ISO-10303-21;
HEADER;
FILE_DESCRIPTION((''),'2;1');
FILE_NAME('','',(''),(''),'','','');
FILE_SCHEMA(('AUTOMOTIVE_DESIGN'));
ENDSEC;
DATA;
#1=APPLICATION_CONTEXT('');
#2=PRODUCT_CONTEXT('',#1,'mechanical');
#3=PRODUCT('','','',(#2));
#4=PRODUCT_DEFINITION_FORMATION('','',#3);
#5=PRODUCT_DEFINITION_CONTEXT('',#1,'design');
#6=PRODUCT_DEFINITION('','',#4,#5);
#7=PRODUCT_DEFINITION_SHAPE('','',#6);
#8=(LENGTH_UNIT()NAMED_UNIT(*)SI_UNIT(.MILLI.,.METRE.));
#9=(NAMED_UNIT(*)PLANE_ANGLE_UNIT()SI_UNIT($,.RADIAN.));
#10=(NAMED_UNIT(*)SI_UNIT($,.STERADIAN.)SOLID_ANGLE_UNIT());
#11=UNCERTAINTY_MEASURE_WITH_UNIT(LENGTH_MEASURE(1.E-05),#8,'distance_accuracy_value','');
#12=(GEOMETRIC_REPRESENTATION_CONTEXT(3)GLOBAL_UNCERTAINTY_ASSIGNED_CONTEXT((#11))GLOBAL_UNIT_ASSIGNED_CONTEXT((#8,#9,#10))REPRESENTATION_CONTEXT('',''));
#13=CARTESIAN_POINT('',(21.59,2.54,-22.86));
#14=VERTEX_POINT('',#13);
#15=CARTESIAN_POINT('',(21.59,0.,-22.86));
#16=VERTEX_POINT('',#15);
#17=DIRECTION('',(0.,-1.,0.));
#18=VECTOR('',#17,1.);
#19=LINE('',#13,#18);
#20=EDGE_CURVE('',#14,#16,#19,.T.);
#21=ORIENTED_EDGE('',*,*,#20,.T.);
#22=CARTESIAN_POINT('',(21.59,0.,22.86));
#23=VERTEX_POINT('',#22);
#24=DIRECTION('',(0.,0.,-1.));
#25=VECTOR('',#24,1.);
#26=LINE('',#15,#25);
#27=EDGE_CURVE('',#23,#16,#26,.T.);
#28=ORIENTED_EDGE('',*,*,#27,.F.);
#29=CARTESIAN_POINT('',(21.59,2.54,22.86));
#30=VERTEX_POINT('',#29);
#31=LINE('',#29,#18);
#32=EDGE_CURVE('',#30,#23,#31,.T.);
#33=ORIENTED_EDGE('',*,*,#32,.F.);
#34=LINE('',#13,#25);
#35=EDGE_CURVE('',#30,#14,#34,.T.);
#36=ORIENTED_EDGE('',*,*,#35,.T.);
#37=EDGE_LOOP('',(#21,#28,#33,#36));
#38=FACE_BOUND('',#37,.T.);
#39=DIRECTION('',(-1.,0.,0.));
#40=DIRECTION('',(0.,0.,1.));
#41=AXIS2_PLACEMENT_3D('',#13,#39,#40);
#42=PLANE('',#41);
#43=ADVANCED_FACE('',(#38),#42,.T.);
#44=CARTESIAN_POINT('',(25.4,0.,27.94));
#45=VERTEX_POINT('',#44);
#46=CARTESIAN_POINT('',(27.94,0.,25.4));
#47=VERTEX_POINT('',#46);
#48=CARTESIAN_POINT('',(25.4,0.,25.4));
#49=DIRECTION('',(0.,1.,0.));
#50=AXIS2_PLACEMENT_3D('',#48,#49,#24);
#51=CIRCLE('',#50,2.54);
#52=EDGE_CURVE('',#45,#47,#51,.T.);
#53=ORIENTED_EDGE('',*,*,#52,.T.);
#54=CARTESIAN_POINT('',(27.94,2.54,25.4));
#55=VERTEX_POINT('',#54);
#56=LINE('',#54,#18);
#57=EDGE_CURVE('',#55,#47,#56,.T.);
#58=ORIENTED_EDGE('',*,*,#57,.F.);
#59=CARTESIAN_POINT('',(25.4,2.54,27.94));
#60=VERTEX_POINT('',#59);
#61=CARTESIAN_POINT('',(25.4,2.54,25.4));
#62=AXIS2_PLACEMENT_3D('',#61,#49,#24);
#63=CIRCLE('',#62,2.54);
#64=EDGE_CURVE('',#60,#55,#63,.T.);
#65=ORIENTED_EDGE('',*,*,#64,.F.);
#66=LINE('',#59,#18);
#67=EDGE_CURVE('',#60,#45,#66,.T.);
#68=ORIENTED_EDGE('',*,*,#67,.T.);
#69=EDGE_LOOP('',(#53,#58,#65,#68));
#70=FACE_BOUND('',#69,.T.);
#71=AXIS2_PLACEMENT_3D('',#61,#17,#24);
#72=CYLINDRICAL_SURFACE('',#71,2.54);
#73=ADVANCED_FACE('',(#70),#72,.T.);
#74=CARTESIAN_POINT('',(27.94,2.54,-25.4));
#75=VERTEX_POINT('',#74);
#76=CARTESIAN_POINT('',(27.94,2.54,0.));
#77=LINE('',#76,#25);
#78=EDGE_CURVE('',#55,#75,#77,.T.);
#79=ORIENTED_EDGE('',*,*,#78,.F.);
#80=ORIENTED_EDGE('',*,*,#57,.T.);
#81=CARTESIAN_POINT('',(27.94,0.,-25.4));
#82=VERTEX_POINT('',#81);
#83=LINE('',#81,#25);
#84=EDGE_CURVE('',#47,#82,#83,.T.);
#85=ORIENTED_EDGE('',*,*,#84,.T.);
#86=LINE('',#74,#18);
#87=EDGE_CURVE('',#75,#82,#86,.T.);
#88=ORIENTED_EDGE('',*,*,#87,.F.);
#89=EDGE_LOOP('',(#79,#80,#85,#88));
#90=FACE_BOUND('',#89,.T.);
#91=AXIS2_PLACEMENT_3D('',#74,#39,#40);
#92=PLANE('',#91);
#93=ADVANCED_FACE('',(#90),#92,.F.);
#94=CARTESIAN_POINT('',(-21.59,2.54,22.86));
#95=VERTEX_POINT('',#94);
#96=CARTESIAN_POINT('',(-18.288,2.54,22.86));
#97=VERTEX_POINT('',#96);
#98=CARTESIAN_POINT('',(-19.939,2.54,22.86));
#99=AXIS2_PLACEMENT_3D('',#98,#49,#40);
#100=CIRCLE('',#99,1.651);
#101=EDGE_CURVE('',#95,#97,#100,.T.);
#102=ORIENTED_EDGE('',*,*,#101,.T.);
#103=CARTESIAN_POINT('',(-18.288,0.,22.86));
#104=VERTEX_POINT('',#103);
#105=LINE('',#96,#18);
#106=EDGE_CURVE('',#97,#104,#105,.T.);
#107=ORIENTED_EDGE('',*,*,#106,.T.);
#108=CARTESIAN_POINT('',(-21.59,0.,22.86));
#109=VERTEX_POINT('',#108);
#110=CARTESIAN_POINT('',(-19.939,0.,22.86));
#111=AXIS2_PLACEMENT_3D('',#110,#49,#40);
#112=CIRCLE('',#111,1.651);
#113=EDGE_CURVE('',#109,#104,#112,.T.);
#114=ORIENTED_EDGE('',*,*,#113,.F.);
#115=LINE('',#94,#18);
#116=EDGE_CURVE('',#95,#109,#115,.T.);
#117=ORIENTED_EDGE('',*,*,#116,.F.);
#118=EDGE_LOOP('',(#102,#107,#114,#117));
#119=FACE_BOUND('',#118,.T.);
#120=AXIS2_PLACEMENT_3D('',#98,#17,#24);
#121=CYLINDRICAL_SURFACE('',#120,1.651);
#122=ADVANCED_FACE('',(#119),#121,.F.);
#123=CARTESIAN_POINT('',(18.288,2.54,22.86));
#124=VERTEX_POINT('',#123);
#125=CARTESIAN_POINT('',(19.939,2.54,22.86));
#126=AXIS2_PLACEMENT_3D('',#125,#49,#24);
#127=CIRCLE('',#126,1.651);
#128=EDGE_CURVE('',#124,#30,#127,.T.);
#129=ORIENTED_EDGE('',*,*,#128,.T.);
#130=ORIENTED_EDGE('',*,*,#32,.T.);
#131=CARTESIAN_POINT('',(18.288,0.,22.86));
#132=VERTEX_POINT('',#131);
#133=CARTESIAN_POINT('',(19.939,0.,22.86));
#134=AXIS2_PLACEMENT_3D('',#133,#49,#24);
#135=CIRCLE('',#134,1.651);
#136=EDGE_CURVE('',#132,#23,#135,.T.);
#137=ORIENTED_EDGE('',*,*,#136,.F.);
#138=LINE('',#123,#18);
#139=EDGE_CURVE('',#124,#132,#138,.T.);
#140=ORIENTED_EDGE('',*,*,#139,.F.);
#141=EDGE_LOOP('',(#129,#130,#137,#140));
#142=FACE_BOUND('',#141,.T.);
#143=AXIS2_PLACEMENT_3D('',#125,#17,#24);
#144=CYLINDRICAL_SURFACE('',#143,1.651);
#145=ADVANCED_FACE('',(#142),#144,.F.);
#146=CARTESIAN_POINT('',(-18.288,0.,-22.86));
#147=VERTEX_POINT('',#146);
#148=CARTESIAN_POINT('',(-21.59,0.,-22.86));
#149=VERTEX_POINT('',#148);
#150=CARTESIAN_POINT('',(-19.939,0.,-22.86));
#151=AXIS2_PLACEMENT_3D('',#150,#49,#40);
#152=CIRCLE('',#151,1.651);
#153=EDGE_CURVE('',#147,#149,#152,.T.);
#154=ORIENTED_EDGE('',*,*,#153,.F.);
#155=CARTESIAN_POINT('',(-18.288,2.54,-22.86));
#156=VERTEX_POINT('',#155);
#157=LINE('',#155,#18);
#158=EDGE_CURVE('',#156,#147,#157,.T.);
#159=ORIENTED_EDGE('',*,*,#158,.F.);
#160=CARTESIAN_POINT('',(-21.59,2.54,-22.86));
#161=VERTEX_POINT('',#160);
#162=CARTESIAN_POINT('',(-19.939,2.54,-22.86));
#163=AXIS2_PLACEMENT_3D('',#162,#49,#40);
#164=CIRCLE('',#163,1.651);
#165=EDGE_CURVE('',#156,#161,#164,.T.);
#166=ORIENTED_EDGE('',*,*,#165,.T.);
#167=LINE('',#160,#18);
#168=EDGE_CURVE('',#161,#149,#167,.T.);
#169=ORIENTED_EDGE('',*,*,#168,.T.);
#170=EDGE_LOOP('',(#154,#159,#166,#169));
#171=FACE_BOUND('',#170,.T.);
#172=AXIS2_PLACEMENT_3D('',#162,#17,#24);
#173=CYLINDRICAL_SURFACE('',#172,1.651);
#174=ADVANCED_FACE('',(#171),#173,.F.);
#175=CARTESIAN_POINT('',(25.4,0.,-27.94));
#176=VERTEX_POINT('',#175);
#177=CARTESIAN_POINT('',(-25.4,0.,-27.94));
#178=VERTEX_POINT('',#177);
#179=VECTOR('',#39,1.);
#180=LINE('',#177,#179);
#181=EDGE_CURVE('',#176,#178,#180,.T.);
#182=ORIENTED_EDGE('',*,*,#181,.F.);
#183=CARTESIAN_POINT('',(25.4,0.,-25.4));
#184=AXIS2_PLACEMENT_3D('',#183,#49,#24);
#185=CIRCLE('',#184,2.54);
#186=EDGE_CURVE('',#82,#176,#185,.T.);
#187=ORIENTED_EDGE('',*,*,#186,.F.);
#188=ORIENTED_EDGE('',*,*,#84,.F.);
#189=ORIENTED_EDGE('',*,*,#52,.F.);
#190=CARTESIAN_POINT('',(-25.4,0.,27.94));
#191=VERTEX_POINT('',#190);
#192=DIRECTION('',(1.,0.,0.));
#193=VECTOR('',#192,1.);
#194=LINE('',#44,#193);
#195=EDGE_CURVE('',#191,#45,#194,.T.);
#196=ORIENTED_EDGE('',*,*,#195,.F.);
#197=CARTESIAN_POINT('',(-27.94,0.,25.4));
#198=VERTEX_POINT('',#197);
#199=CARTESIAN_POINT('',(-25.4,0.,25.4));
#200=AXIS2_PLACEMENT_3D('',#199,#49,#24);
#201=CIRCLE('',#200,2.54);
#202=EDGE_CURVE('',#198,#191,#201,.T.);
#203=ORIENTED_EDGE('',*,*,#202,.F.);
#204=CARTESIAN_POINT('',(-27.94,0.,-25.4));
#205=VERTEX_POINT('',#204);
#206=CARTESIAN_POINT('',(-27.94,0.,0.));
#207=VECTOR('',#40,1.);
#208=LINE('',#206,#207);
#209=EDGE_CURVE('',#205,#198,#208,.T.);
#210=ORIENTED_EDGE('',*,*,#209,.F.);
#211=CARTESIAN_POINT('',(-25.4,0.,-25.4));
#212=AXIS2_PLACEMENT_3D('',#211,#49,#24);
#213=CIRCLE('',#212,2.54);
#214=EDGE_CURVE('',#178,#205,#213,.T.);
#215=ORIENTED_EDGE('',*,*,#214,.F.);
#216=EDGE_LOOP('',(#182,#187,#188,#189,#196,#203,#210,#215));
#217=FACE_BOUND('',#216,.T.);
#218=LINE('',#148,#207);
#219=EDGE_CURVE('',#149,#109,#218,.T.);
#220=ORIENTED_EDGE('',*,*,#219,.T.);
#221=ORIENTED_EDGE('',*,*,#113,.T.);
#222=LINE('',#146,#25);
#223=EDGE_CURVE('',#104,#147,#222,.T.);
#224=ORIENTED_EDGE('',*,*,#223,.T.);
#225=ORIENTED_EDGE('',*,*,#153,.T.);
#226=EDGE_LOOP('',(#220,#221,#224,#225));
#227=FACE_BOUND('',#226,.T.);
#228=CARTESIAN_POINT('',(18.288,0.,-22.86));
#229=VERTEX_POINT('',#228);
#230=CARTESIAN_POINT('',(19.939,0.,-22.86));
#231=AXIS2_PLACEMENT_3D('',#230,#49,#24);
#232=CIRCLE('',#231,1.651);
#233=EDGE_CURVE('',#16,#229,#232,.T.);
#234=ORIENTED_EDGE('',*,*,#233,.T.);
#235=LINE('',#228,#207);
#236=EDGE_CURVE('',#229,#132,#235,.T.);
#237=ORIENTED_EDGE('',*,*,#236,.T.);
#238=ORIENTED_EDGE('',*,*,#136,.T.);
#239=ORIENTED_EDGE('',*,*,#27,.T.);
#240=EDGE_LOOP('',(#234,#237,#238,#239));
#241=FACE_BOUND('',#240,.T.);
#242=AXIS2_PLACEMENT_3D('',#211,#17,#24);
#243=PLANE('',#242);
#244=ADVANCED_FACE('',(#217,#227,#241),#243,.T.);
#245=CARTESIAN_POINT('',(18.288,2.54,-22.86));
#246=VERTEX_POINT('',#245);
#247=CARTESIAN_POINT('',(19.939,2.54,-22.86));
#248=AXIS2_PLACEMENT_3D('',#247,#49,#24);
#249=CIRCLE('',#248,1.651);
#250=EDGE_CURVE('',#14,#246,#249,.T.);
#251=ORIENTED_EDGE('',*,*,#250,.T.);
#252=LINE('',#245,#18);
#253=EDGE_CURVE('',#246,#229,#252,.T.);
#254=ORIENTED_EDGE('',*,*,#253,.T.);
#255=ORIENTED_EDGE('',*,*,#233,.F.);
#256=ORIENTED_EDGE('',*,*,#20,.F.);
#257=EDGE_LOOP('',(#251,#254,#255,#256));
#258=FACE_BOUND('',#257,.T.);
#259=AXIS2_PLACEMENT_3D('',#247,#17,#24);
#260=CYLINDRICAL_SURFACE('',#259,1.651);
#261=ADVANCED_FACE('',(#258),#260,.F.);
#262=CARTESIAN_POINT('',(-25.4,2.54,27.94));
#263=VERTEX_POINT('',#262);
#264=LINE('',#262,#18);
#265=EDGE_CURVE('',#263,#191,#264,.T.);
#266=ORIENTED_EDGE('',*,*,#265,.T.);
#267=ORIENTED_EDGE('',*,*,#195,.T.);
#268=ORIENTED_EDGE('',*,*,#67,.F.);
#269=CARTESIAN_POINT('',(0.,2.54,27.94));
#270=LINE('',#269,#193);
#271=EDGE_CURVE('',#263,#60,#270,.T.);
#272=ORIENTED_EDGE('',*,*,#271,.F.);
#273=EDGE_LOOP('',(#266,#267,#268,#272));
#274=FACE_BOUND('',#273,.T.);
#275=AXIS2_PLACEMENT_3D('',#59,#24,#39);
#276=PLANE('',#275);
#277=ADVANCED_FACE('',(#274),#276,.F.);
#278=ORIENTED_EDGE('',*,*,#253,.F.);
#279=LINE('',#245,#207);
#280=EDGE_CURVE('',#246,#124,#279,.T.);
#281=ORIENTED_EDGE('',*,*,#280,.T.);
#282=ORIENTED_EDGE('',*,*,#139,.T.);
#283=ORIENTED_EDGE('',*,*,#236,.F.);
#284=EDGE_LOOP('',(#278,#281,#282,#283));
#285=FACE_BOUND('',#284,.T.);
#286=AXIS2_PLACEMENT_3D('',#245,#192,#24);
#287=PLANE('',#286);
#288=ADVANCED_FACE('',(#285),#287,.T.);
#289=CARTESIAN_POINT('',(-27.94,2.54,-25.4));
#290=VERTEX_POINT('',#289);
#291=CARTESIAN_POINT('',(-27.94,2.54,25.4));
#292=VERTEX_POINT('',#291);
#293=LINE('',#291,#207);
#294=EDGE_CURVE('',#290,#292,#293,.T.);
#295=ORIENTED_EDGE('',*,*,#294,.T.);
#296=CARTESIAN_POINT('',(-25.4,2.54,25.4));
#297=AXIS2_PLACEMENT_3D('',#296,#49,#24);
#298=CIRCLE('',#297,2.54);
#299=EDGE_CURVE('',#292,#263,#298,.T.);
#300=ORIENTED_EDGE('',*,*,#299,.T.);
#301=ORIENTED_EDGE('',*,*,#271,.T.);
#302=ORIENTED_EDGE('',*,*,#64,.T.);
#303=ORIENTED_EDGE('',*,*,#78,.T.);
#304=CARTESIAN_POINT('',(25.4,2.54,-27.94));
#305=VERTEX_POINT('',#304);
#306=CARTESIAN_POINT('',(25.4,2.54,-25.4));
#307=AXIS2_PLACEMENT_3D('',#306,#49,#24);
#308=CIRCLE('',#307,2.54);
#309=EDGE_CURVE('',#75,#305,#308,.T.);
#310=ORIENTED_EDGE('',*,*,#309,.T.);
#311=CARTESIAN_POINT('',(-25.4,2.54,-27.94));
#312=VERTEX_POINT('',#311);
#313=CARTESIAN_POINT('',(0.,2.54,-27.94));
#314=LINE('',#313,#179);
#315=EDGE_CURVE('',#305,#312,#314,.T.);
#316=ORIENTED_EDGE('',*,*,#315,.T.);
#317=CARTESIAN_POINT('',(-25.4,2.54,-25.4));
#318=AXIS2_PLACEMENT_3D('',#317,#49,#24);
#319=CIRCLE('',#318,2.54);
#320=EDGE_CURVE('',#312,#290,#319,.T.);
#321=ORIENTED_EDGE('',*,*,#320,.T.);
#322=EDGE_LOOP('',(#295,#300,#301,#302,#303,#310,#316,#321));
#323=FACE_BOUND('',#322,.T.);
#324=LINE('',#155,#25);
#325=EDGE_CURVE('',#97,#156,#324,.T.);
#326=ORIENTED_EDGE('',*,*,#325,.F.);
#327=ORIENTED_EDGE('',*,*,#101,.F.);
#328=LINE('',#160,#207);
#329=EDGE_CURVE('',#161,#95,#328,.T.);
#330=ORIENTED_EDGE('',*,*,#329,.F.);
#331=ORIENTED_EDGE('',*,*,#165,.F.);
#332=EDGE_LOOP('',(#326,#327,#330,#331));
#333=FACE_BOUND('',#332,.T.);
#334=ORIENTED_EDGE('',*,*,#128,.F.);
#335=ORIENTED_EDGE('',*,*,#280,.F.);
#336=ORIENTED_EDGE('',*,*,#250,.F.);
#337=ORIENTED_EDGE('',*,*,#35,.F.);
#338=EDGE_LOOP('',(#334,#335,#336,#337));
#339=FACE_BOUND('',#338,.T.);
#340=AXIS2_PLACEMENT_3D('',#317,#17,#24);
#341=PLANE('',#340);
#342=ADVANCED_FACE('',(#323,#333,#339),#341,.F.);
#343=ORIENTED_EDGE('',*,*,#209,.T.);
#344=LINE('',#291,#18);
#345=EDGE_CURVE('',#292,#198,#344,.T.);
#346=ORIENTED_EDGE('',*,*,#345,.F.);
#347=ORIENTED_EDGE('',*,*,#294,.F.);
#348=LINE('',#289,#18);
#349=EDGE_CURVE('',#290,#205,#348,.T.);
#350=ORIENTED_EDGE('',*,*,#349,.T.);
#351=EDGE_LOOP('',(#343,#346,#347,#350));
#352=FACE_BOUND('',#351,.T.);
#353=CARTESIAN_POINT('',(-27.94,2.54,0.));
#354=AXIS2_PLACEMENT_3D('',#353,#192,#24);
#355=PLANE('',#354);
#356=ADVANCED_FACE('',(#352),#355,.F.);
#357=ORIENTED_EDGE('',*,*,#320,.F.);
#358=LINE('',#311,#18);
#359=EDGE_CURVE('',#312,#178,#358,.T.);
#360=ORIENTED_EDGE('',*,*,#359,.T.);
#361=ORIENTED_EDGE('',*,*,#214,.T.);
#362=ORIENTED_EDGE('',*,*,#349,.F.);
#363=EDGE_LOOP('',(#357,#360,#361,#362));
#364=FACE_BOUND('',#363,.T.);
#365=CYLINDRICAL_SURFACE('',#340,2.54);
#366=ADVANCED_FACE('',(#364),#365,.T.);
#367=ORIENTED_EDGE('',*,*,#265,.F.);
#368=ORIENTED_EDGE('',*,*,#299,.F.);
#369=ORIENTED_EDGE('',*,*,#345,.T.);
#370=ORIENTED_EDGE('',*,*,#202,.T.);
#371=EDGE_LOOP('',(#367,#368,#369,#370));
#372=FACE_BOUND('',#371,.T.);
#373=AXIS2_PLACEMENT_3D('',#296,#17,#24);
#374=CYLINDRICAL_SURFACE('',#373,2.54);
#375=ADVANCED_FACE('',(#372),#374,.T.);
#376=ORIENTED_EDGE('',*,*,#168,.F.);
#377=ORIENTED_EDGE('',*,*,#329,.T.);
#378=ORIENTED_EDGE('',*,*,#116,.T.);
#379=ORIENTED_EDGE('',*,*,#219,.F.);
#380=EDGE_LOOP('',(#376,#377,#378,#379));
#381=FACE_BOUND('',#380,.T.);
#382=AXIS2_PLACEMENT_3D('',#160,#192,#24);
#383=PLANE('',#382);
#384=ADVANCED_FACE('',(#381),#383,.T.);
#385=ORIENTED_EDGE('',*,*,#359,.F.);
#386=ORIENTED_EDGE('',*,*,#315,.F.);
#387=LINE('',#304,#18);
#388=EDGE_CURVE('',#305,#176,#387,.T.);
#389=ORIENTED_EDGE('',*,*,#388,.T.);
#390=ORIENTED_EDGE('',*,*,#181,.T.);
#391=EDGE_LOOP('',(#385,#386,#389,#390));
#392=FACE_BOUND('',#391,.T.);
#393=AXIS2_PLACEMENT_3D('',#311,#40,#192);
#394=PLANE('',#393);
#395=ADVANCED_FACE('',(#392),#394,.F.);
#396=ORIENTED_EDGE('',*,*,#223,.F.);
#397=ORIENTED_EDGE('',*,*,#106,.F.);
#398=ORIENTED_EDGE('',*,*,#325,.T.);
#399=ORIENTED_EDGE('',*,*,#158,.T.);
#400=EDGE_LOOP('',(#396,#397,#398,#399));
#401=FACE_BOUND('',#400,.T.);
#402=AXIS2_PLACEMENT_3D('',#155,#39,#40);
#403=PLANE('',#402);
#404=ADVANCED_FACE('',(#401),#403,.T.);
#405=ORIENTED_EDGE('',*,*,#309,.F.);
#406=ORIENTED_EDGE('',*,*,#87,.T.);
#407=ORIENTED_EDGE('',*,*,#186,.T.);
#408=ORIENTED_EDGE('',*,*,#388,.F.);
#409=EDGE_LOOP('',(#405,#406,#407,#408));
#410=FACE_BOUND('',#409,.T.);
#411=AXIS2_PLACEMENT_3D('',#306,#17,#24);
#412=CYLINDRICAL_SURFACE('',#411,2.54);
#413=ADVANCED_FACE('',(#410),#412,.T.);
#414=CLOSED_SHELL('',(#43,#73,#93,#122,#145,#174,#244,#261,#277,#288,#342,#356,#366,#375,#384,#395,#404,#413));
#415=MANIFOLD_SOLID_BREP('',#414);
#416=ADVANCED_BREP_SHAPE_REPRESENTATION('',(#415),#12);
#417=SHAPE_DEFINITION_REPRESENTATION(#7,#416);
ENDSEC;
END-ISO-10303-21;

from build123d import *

# Parameters (mm, degrees)
BOSS_EXTRUDE1_DEPTH = 2.54


with BuildPart() as part:
    # Sketch1 → Boss-Extrude1 (new body)
    with BuildSketch(Plane(origin=(0, 0, 0), x_dir=(1, 0, 0), z_dir=(0, 1, 0))):
        with BuildLine():
            Line((-27.94, 0), (-27.94, 25.4))
            ThreePointArc((-27.94, 25.4), (-27.196051224, 27.196051224), (-25.4, 27.94))
            Line((-25.4, 27.94), (0, 27.94))
            Line((0, 27.94), (25.4, 27.94))
            ThreePointArc((25.4, 27.94), (27.196051224, 27.196051224), (27.94, 25.4))
            Line((27.94, 25.4), (27.94, 0))
            Line((27.94, 0), (27.94, -25.4))
            ThreePointArc((27.94, -25.4), (27.196051224, -27.196051224), (25.4, -27.94))
            Line((25.4, -27.94), (0, -27.94))
            Line((0, -27.94), (-25.4, -27.94))
            ThreePointArc((-25.4, -27.94), (-27.196051224, -27.196051224), (-27.94, -25.4))
            Line((-27.94, -25.4), (-27.94, 0))
        make_face()
        with BuildLine():
            Line((-18.288, 22.86), (-18.288, -22.86))
            ThreePointArc((-18.288, -22.86), (-19.939, -24.511), (-21.59, -22.86))
            Line((-21.59, -22.86), (-21.59, 22.86))
            ThreePointArc((-21.59, 22.86), (-19.939, 24.511), (-18.288, 22.86))
        make_face(mode=Mode.SUBTRACT)
        with BuildLine():
            Line((18.288, 22.86), (18.288, -22.86))
            ThreePointArc((18.288, -22.86), (19.939, -24.511), (21.59, -22.86))
            Line((21.59, -22.86), (21.59, 22.86))
            ThreePointArc((21.59, 22.86), (19.939, 24.511), (18.288, 22.86))
        make_face(mode=Mode.SUBTRACT)
    extrude(amount=BOSS_EXTRUDE1_DEPTH)


solid = part.part
